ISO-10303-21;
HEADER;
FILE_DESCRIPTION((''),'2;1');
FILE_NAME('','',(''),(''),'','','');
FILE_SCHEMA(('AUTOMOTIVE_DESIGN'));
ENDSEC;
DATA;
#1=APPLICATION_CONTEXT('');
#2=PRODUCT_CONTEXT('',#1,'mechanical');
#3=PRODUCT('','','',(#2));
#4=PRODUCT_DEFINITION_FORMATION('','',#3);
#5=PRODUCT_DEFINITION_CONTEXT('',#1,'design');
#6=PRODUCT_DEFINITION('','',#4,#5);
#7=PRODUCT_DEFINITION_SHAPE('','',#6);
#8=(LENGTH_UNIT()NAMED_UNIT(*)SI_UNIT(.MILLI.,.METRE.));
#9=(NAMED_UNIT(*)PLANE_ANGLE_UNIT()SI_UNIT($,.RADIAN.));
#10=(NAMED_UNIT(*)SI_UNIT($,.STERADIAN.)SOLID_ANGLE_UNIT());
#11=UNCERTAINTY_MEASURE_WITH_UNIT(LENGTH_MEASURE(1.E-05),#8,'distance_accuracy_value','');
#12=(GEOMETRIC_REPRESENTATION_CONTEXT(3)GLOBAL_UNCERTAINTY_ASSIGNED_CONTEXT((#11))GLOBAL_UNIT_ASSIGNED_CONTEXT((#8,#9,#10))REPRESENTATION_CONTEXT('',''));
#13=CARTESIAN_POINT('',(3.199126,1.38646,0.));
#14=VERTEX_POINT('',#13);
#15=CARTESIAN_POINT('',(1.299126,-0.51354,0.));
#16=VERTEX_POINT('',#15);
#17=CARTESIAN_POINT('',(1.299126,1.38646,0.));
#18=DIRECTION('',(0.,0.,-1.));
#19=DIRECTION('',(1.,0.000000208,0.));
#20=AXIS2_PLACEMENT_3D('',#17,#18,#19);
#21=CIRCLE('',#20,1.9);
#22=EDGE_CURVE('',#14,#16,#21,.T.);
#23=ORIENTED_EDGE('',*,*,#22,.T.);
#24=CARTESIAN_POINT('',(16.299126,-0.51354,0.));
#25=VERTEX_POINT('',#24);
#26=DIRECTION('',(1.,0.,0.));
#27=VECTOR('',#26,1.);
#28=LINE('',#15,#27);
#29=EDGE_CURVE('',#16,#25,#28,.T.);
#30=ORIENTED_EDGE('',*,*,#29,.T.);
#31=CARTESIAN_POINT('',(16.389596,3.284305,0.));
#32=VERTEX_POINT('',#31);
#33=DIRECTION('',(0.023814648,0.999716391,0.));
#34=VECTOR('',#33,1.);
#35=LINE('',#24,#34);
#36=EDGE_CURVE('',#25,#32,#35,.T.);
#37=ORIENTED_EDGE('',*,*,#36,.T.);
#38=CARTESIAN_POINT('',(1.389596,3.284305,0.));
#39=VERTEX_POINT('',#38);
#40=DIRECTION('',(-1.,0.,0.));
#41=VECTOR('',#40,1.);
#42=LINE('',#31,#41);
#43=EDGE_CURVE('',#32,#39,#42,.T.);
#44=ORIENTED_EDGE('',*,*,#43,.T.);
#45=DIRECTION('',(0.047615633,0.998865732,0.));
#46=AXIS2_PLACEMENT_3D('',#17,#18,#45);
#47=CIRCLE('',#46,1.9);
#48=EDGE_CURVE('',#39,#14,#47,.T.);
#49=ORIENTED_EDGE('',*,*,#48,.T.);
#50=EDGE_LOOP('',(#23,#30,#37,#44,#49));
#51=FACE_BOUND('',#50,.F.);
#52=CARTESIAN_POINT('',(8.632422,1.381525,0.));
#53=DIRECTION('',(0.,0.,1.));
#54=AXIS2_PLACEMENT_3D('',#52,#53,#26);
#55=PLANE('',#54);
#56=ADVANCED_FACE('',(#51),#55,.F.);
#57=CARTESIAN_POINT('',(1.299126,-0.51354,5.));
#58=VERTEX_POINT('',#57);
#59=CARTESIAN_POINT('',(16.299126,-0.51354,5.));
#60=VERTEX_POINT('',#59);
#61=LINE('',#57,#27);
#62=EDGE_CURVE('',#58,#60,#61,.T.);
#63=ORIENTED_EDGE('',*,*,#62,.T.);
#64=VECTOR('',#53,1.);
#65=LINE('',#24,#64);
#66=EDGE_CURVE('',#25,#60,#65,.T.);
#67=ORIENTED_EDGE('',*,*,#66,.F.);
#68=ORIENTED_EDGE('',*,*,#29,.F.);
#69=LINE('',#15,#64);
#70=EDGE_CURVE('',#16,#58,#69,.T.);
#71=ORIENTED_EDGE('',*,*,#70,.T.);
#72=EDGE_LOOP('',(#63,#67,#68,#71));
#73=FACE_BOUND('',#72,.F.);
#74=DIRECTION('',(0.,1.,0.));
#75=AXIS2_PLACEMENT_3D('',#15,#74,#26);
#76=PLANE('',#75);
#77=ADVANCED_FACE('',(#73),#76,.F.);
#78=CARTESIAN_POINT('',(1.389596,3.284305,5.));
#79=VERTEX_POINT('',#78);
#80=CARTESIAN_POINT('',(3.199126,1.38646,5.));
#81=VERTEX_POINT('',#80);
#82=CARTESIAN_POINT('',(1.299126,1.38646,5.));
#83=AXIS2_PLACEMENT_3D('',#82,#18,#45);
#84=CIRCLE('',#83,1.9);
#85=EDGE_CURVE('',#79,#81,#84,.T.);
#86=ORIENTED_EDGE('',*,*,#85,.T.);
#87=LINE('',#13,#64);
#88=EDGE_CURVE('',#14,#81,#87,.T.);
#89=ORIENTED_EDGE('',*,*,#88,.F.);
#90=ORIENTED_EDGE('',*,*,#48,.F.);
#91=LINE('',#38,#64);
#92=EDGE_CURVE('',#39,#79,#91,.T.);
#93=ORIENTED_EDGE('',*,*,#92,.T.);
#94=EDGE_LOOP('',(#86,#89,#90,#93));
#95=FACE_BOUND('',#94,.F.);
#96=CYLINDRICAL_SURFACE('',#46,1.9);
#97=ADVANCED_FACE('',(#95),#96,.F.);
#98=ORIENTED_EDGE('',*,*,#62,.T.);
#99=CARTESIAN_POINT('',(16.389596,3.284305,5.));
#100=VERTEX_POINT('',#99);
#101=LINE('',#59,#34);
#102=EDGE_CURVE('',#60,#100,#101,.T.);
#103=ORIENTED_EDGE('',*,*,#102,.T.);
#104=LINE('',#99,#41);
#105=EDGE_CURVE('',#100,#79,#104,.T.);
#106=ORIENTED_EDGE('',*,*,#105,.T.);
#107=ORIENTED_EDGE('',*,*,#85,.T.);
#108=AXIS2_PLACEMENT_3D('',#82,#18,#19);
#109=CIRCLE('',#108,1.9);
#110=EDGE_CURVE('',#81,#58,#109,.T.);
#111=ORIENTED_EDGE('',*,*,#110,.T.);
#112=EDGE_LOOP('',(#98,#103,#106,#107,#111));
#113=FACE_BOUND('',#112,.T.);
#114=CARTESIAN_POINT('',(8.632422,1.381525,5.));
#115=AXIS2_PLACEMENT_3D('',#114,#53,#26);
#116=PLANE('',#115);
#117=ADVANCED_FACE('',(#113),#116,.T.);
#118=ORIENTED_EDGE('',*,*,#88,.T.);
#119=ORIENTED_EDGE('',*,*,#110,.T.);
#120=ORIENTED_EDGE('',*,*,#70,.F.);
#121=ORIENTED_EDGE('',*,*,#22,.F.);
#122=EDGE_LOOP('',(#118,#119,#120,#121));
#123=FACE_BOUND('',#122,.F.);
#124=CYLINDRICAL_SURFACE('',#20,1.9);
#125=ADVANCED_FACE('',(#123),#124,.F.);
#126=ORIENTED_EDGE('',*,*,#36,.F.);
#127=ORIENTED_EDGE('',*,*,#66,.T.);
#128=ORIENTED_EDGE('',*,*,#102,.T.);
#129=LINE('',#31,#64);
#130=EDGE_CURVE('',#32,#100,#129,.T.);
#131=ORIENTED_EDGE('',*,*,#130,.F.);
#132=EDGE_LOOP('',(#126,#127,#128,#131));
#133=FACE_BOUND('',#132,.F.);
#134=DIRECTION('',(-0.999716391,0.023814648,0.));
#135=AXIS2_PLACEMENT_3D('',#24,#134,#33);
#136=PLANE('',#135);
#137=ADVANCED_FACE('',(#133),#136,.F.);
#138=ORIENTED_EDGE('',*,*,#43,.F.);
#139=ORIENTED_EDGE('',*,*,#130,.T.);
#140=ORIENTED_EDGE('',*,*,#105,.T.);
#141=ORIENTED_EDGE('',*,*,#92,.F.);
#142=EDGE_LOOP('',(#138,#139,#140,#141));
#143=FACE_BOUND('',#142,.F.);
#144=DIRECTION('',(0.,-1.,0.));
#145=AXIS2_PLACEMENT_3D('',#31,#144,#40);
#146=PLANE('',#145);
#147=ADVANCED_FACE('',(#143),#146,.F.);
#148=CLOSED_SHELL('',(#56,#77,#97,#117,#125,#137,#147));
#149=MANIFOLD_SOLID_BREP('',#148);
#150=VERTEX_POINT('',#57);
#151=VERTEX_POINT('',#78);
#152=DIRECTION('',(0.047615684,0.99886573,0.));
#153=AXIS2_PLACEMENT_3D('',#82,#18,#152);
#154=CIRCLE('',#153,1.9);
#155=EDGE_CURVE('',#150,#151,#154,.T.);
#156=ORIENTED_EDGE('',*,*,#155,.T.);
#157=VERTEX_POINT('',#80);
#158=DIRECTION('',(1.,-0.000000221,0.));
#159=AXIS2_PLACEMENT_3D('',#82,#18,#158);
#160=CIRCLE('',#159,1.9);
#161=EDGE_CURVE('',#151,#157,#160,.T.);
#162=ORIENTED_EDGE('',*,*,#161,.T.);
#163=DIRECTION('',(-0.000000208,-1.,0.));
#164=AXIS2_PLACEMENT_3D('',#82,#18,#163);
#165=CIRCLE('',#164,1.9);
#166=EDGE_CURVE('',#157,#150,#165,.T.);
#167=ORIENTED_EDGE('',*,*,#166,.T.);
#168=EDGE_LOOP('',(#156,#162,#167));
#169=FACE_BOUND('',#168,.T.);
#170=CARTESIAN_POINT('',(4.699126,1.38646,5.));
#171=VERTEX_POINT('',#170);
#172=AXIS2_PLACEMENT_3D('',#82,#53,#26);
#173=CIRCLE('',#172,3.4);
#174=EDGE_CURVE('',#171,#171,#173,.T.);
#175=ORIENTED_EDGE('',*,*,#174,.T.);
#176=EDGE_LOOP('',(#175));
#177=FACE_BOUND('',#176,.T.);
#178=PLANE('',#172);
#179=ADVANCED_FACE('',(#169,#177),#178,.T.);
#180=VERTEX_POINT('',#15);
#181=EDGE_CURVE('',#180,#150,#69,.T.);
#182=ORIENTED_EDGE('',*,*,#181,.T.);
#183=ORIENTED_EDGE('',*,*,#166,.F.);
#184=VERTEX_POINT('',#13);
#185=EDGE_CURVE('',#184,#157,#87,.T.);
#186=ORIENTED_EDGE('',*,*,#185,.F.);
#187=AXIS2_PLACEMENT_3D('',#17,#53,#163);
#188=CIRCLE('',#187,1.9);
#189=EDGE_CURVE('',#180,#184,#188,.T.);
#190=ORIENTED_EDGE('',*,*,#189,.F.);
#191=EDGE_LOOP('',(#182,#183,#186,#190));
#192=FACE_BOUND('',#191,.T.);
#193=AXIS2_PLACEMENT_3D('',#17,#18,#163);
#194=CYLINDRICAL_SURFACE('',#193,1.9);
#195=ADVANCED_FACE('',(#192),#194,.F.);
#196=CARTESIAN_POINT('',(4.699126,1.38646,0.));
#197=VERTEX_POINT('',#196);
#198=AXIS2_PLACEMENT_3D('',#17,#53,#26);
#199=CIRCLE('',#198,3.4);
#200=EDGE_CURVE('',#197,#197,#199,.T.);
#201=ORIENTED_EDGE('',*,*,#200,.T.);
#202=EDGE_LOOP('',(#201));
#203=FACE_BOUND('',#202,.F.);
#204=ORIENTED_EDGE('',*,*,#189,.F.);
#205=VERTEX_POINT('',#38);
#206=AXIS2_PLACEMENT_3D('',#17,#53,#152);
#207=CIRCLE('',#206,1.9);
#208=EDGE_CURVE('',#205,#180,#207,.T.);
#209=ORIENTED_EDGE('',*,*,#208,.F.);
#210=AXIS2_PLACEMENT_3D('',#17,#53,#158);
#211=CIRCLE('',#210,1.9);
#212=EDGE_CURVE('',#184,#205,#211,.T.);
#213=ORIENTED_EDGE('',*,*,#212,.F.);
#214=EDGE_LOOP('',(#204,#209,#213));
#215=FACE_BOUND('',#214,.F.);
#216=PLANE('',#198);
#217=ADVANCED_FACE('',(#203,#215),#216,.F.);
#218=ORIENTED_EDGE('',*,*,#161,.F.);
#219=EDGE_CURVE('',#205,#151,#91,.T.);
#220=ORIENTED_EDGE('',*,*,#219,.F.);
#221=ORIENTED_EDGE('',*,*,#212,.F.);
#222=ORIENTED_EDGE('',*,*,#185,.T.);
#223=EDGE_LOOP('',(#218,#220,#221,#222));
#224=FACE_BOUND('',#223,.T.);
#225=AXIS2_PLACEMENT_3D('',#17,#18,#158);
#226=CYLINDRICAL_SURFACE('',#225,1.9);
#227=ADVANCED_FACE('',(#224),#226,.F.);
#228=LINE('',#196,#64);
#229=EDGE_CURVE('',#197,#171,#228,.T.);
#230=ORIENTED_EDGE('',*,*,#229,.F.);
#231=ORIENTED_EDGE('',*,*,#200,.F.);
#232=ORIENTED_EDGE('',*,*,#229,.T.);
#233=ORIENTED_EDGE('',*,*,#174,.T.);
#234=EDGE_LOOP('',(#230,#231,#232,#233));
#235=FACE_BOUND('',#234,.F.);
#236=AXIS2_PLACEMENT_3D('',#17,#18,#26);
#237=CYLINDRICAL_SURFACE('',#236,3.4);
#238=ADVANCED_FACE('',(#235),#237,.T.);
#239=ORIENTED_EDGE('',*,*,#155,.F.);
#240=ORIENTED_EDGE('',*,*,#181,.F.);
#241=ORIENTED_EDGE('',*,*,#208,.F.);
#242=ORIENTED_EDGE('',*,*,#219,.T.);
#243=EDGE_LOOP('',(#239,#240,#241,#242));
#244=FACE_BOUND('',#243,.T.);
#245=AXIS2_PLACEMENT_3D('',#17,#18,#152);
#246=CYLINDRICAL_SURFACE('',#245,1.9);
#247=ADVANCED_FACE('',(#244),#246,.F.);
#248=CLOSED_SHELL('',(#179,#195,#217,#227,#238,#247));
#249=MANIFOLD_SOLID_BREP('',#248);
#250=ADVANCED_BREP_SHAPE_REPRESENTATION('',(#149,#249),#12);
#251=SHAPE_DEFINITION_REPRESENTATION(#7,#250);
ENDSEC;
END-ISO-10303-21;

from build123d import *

# Parameters (mm, degrees)
F1_R     = 3.4
F2_DEPTH = 5
F3_DEPTH = 25
F4_DEPTH = 5


with BuildPart() as f2:
    # F1 (on Top) → F2 (new body)
    with BuildSketch(Plane.XY):
        with Locations((1.299126, 1.38646)):
            Circle(F1_R)
    extrude(amount=F2_DEPTH)

    # F0 (on Top) → F3 (cut)
    with BuildSketch(Plane.XY):
        with BuildLine():
            ThreePointArc((1.299126, -0.51354), (2.642629, 0.042957), (3.199126, 1.38646))
            ThreePointArc((3.199126, 1.38646), (2.674243, 2.697587), (1.389596, 3.284305))
            ThreePointArc((1.389596, 3.284305), (-0.600335, 1.431708), (1.299126, -0.51354))
        make_face()
    extrude(amount=F3_DEPTH, mode=Mode.SUBTRACT)


with BuildPart() as f4:
    # F0 (on Top) → F4 (new body)
    with BuildSketch(Plane.XY):
        with BuildLine():
            ThreePointArc((1.389596, 3.284305), (2.674243, 2.697587), (3.199126, 1.38646))
            ThreePointArc((3.199126, 1.38646), (2.642629, 0.042957), (1.299126, -0.51354))
            Line((1.299126, -0.51354), (16.299126, -0.51354))
            Line((16.299126, -0.51354), (16.389596, 3.284305))
            Line((16.389596, 3.284305), (1.389596, 3.284305))
        make_face()
    extrude(amount=F4_DEPTH)


solid = Compound([f2.part, f4.part])
